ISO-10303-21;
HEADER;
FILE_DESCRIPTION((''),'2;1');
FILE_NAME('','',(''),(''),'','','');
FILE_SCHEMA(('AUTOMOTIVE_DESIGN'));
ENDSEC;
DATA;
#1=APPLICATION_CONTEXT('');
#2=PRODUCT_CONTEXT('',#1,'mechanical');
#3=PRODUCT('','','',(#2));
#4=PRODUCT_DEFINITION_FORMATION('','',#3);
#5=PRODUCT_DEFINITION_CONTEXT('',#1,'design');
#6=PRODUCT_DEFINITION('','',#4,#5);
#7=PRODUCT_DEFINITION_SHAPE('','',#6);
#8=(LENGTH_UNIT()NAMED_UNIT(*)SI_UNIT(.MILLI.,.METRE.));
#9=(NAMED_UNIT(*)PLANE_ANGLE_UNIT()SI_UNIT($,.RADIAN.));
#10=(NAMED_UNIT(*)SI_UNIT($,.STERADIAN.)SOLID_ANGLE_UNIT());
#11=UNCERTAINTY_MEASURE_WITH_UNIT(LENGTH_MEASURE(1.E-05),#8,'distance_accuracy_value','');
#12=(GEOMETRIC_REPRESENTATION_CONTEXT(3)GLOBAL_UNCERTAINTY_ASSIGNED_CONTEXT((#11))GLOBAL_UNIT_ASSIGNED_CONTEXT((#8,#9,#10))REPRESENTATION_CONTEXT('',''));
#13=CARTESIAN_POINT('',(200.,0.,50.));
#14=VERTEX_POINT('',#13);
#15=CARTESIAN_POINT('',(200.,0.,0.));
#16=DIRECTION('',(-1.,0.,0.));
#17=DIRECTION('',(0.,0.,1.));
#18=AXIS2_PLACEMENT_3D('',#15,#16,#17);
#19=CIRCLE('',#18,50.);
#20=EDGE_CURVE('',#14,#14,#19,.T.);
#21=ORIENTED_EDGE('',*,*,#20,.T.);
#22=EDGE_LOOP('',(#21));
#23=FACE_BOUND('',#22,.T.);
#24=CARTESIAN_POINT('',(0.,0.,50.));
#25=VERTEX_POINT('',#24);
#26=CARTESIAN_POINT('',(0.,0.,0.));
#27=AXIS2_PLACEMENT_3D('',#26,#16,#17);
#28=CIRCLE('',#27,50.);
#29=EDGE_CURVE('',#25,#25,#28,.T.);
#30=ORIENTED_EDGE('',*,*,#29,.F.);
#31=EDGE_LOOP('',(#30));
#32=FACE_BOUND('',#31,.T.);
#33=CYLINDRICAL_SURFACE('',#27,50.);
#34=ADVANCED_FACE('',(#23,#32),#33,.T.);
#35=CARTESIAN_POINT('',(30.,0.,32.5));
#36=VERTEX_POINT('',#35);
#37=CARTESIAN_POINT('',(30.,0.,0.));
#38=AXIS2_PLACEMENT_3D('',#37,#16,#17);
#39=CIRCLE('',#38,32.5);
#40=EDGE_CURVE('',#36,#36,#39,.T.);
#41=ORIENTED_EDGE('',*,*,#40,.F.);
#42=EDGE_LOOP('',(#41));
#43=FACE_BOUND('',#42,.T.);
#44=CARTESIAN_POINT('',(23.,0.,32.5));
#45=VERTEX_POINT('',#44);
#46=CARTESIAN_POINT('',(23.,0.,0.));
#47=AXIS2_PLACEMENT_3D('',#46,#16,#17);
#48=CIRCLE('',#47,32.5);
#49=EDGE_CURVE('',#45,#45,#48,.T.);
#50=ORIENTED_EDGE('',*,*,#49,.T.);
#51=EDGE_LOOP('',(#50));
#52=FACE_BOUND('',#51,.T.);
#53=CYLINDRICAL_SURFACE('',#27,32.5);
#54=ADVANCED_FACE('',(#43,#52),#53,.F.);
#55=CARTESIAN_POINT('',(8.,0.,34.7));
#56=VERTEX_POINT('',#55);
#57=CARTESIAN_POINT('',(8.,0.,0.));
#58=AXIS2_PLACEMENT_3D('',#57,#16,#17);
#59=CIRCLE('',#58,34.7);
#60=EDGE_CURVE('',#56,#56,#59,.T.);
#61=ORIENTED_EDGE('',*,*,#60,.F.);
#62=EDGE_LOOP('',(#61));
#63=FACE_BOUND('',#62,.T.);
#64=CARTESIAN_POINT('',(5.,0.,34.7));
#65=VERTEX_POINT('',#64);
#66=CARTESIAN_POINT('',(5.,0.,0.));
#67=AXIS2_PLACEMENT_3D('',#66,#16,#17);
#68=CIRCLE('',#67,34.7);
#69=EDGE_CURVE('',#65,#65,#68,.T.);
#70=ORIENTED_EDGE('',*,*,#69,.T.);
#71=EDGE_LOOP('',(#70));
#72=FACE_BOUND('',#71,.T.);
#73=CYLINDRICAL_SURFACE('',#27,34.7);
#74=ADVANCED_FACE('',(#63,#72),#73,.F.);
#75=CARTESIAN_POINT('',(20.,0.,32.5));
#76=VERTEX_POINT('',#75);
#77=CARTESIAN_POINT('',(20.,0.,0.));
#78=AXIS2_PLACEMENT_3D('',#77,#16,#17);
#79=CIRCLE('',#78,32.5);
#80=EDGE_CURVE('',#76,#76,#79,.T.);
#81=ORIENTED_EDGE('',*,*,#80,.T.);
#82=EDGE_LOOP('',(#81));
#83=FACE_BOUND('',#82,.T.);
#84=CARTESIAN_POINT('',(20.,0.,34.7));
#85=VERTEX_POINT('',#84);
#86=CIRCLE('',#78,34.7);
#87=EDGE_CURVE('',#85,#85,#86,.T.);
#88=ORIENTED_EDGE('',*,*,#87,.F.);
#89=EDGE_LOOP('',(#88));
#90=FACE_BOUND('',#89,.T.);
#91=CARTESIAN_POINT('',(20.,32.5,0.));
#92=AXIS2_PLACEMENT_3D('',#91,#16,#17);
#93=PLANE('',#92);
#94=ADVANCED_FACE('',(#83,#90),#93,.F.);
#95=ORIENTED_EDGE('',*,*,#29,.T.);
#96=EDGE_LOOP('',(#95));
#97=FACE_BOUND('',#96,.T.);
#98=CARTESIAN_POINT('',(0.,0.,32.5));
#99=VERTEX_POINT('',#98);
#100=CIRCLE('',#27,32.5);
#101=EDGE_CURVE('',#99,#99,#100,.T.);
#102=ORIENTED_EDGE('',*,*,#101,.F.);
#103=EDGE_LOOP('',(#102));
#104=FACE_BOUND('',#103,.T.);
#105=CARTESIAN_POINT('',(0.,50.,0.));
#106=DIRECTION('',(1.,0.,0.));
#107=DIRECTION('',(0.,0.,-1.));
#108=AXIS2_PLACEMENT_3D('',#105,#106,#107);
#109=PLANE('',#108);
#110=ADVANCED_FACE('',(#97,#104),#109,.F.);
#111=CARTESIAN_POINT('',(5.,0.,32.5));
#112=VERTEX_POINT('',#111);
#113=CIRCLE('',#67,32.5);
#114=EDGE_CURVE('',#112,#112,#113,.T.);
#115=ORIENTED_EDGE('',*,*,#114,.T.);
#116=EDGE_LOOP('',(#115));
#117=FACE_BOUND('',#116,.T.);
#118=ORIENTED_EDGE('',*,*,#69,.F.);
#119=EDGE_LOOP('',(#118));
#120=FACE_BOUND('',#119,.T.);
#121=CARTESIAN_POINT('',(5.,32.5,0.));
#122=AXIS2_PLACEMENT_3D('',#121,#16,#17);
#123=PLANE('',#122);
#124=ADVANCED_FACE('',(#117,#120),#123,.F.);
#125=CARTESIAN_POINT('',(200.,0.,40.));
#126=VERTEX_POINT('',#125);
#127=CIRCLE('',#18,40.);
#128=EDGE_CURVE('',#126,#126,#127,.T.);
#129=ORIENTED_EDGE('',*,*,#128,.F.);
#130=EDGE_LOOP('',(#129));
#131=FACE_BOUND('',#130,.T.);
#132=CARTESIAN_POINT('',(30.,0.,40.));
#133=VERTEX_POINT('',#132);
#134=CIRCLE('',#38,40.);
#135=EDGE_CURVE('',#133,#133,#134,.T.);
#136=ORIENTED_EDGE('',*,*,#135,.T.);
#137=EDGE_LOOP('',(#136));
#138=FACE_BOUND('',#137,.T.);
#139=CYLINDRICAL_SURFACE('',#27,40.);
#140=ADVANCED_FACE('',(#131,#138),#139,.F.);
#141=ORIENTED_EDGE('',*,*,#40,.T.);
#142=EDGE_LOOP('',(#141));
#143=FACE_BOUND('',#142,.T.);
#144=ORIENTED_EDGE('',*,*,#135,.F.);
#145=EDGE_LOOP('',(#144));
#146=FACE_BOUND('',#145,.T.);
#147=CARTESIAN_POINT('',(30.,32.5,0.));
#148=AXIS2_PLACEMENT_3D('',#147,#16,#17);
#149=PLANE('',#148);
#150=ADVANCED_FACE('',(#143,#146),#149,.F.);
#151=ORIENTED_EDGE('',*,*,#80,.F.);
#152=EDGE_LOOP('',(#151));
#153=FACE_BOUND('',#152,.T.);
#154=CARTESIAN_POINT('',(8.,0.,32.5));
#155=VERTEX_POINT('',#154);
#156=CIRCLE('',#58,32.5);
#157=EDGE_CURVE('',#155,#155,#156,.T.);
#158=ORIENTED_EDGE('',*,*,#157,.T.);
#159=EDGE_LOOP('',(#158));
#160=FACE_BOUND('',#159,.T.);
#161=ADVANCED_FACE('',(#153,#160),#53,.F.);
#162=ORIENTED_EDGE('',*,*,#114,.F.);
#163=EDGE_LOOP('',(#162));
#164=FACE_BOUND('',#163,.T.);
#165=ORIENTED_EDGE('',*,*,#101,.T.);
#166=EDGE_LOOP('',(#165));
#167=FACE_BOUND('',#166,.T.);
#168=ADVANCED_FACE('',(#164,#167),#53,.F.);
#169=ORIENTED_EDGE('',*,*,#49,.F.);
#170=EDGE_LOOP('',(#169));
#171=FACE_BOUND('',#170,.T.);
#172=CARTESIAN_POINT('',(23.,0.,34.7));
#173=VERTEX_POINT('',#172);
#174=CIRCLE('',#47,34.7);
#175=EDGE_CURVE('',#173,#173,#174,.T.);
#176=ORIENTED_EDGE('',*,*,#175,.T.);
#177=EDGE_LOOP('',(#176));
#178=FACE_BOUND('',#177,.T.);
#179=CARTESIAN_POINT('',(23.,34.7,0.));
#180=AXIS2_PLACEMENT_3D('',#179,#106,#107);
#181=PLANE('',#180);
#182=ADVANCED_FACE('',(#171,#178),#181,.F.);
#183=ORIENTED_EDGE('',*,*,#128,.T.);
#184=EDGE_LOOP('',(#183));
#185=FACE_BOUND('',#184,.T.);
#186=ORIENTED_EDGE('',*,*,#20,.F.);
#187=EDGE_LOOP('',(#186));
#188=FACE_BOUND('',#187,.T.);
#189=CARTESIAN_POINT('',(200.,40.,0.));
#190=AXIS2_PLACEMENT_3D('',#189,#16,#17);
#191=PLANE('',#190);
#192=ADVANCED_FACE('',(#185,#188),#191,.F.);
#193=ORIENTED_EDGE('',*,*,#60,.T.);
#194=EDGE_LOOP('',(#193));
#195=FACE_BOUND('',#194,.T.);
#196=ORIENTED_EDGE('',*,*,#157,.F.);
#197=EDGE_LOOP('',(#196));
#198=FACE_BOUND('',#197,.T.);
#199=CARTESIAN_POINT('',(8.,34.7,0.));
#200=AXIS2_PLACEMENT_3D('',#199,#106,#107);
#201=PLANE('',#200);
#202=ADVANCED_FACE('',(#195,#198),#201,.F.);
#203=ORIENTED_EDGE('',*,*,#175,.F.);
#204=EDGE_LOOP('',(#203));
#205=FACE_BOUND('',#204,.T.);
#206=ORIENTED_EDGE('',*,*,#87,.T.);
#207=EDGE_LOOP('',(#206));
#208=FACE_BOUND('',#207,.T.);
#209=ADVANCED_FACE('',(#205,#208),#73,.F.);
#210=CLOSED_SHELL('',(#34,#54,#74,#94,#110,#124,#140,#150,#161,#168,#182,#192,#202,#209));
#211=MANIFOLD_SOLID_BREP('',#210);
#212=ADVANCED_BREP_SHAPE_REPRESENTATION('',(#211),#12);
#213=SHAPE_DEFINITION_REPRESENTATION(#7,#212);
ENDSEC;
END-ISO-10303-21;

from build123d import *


with BuildPart() as part:
    # Skizze1 → Rotation1 (revolve)
    with BuildSketch(Plane.XY, mode=Mode.PRIVATE) as rotation1_sk:
        Polygon((0, 50), (0, 32.5), (5, 32.5), (5, 34.7), (8, 34.7), (8, 32.5), (20, 32.5), (20, 34.7), (23, 34.7), (23, 32.5), (30, 32.5), (30, 40), (200, 40), (200, 50), align=None)
    revolve(rotation1_sk.sketch.rotate(Axis((0, 0, 0), (1, 0, 0)), 90), axis=Axis((0, 0, 0), (1, 0, 0)))


solid = part.part
